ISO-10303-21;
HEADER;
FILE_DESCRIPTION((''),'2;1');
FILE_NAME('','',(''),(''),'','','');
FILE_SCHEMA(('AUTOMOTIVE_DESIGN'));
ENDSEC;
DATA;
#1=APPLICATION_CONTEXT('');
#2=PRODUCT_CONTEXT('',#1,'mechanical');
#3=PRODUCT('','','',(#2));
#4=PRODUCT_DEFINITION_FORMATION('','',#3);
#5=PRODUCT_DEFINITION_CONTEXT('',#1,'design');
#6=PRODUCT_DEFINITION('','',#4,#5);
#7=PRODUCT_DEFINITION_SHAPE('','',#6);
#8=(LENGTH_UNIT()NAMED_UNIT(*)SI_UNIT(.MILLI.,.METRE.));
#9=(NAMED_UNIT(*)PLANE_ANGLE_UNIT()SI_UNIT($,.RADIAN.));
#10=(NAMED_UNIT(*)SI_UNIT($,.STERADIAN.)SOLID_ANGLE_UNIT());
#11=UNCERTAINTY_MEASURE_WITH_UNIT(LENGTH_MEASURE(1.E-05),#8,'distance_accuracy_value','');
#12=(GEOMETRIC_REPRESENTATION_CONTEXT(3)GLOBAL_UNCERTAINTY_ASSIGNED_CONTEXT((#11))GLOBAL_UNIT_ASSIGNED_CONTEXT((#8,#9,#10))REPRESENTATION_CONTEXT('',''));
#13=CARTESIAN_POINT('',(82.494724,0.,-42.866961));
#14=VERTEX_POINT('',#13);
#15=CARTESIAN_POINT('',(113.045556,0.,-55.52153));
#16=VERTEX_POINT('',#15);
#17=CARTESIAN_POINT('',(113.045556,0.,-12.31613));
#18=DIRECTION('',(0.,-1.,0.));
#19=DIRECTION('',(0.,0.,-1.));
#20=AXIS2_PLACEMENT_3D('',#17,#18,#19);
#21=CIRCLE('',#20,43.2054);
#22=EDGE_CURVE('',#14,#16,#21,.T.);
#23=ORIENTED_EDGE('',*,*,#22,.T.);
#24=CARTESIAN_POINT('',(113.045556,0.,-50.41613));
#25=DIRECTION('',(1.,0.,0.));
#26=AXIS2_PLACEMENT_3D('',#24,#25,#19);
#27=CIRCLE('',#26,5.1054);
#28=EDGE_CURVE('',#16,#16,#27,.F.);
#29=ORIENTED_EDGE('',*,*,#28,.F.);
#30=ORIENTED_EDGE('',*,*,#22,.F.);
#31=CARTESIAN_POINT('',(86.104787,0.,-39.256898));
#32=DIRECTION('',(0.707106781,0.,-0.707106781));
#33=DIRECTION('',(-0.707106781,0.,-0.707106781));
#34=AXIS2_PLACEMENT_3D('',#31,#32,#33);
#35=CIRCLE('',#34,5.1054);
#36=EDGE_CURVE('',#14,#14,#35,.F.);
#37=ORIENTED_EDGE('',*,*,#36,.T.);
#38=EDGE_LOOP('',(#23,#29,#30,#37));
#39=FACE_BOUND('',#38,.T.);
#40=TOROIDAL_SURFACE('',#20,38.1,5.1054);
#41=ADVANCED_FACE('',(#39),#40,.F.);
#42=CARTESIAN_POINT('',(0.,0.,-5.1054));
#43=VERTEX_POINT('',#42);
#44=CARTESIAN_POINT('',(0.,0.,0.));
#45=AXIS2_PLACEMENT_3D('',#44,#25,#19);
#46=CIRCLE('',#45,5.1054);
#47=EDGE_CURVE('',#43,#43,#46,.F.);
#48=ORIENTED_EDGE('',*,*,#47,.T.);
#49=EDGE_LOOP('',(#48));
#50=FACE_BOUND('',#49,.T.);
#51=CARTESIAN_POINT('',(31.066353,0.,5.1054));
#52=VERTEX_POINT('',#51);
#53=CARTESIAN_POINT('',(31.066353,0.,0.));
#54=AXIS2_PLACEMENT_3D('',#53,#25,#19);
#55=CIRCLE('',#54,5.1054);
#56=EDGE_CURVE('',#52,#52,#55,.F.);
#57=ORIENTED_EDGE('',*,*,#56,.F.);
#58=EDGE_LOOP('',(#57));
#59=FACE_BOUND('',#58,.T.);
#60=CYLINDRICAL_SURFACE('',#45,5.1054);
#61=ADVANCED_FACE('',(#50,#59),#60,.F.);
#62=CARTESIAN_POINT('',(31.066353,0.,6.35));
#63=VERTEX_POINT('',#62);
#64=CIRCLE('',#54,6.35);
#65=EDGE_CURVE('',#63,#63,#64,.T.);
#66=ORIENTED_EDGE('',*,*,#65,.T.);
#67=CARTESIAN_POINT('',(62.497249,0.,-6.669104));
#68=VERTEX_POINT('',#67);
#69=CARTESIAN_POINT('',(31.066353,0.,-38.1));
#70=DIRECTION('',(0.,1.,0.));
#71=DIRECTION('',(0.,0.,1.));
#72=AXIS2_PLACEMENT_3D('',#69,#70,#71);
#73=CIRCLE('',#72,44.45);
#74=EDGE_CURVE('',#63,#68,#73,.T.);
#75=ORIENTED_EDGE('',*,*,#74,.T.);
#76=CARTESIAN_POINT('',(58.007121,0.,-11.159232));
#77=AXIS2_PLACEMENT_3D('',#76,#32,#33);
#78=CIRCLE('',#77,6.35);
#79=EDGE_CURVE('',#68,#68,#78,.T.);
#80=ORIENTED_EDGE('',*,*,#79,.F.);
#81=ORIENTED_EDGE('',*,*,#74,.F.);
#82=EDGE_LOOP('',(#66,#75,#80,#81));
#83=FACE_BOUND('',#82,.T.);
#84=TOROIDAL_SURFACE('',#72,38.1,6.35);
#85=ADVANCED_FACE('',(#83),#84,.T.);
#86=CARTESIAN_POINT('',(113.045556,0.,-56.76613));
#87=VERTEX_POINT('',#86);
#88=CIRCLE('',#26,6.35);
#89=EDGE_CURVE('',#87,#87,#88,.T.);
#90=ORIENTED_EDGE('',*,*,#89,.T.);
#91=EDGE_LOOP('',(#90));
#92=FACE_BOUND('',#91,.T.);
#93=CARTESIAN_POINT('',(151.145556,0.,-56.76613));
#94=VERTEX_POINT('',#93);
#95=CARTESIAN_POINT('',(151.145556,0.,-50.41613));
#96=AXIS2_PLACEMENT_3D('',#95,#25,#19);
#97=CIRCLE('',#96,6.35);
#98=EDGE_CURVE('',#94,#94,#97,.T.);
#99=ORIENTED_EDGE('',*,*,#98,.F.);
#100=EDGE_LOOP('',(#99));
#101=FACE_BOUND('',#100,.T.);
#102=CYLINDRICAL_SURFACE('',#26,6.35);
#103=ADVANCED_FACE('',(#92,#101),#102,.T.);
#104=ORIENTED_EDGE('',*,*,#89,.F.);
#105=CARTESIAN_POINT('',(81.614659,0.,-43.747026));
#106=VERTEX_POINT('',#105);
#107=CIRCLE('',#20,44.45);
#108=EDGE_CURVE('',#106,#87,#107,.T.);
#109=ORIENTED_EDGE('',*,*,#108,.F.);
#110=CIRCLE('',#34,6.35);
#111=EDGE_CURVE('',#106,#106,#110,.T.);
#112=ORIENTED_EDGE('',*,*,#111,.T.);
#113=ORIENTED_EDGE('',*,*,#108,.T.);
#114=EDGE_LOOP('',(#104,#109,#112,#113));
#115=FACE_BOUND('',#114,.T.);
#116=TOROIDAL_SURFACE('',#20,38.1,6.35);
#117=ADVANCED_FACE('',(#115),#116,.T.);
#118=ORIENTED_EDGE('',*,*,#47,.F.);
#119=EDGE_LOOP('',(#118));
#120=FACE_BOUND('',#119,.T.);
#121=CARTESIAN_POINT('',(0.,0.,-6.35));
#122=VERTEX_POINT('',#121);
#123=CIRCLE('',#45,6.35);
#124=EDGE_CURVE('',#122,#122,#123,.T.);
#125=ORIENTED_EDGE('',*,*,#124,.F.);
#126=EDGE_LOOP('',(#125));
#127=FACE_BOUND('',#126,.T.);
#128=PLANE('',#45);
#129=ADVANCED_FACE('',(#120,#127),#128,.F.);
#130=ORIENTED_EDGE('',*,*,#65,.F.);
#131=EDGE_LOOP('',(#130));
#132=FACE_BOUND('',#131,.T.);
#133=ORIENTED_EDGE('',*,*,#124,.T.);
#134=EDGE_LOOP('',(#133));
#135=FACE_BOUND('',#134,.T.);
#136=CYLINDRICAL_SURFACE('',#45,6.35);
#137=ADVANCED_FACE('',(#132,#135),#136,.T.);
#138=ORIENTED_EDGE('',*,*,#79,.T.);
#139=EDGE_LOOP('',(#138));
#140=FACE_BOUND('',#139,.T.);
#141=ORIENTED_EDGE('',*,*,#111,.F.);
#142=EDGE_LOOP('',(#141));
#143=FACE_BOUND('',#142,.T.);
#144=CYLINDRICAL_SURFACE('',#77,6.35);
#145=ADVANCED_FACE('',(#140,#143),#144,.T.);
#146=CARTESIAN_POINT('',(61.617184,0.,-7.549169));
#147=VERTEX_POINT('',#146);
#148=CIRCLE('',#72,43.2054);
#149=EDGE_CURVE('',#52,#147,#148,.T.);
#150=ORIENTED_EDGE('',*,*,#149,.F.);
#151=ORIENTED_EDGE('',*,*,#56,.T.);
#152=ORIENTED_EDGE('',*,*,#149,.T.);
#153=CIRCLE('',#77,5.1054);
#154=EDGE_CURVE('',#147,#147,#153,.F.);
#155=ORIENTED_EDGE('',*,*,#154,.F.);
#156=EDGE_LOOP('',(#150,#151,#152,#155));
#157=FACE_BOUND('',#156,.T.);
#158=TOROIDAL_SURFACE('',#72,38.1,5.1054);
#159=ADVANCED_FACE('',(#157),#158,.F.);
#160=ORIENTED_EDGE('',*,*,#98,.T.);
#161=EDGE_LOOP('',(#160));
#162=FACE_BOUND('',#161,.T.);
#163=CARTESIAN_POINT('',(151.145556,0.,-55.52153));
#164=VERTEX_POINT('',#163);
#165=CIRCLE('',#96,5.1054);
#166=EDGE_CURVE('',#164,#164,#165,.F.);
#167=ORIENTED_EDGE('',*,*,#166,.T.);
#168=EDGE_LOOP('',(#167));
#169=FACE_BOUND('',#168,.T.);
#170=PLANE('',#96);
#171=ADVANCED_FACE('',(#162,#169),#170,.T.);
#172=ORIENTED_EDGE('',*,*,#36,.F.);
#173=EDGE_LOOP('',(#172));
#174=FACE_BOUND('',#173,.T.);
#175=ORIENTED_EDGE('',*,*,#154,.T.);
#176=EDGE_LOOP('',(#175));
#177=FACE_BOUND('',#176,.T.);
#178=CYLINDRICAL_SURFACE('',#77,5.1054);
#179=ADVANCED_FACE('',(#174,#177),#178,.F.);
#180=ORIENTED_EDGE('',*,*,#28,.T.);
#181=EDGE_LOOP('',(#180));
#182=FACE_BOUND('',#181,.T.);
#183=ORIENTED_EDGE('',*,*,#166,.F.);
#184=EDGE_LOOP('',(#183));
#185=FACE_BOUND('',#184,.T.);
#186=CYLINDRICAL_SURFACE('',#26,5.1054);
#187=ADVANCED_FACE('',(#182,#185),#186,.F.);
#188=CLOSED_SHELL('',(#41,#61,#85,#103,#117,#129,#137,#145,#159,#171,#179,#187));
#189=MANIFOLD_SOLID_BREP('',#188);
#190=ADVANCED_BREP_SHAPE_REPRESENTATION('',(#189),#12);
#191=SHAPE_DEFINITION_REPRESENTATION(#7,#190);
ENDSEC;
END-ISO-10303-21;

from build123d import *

# Parameters (mm, degrees)
SKETCH2_R   = 6.35
SKETCH2_R_2 = 5.1054


with BuildPart() as part:
    # Sweep1: sweep along a path in Sketch1
    with BuildLine(Plane(origin=(0, 0, 0), x_dir=(1, 0, 0), z_dir=(0, 1, 0))) as sweep1_path:
        Line((0, 0), (31.066352514, 0))
        ThreePointArc((31.066352514, 0), (45.646591287, 2.900189811), (58.007120878, 11.159231637))
        Line((58.007120878, 11.159231637), (86.104787404, 39.256898163))
        ThreePointArc((86.104787404, 39.256898163), (98.465316994, 47.515939989), (113.045555767, 50.4161298))
        Line((113.045555767, 50.4161298), (151.145555767, 50.4161298))
    # Sketch2 → Sweep1 (sweep)
    with BuildSketch(Plane(origin=(0, 0, 0), x_dir=(0, 0, -1), z_dir=(1, 0, 0))):
        Circle(SKETCH2_R)
        Circle(SKETCH2_R_2, mode=Mode.SUBTRACT)
    sweep(path=sweep1_path.line)


solid = part.part
